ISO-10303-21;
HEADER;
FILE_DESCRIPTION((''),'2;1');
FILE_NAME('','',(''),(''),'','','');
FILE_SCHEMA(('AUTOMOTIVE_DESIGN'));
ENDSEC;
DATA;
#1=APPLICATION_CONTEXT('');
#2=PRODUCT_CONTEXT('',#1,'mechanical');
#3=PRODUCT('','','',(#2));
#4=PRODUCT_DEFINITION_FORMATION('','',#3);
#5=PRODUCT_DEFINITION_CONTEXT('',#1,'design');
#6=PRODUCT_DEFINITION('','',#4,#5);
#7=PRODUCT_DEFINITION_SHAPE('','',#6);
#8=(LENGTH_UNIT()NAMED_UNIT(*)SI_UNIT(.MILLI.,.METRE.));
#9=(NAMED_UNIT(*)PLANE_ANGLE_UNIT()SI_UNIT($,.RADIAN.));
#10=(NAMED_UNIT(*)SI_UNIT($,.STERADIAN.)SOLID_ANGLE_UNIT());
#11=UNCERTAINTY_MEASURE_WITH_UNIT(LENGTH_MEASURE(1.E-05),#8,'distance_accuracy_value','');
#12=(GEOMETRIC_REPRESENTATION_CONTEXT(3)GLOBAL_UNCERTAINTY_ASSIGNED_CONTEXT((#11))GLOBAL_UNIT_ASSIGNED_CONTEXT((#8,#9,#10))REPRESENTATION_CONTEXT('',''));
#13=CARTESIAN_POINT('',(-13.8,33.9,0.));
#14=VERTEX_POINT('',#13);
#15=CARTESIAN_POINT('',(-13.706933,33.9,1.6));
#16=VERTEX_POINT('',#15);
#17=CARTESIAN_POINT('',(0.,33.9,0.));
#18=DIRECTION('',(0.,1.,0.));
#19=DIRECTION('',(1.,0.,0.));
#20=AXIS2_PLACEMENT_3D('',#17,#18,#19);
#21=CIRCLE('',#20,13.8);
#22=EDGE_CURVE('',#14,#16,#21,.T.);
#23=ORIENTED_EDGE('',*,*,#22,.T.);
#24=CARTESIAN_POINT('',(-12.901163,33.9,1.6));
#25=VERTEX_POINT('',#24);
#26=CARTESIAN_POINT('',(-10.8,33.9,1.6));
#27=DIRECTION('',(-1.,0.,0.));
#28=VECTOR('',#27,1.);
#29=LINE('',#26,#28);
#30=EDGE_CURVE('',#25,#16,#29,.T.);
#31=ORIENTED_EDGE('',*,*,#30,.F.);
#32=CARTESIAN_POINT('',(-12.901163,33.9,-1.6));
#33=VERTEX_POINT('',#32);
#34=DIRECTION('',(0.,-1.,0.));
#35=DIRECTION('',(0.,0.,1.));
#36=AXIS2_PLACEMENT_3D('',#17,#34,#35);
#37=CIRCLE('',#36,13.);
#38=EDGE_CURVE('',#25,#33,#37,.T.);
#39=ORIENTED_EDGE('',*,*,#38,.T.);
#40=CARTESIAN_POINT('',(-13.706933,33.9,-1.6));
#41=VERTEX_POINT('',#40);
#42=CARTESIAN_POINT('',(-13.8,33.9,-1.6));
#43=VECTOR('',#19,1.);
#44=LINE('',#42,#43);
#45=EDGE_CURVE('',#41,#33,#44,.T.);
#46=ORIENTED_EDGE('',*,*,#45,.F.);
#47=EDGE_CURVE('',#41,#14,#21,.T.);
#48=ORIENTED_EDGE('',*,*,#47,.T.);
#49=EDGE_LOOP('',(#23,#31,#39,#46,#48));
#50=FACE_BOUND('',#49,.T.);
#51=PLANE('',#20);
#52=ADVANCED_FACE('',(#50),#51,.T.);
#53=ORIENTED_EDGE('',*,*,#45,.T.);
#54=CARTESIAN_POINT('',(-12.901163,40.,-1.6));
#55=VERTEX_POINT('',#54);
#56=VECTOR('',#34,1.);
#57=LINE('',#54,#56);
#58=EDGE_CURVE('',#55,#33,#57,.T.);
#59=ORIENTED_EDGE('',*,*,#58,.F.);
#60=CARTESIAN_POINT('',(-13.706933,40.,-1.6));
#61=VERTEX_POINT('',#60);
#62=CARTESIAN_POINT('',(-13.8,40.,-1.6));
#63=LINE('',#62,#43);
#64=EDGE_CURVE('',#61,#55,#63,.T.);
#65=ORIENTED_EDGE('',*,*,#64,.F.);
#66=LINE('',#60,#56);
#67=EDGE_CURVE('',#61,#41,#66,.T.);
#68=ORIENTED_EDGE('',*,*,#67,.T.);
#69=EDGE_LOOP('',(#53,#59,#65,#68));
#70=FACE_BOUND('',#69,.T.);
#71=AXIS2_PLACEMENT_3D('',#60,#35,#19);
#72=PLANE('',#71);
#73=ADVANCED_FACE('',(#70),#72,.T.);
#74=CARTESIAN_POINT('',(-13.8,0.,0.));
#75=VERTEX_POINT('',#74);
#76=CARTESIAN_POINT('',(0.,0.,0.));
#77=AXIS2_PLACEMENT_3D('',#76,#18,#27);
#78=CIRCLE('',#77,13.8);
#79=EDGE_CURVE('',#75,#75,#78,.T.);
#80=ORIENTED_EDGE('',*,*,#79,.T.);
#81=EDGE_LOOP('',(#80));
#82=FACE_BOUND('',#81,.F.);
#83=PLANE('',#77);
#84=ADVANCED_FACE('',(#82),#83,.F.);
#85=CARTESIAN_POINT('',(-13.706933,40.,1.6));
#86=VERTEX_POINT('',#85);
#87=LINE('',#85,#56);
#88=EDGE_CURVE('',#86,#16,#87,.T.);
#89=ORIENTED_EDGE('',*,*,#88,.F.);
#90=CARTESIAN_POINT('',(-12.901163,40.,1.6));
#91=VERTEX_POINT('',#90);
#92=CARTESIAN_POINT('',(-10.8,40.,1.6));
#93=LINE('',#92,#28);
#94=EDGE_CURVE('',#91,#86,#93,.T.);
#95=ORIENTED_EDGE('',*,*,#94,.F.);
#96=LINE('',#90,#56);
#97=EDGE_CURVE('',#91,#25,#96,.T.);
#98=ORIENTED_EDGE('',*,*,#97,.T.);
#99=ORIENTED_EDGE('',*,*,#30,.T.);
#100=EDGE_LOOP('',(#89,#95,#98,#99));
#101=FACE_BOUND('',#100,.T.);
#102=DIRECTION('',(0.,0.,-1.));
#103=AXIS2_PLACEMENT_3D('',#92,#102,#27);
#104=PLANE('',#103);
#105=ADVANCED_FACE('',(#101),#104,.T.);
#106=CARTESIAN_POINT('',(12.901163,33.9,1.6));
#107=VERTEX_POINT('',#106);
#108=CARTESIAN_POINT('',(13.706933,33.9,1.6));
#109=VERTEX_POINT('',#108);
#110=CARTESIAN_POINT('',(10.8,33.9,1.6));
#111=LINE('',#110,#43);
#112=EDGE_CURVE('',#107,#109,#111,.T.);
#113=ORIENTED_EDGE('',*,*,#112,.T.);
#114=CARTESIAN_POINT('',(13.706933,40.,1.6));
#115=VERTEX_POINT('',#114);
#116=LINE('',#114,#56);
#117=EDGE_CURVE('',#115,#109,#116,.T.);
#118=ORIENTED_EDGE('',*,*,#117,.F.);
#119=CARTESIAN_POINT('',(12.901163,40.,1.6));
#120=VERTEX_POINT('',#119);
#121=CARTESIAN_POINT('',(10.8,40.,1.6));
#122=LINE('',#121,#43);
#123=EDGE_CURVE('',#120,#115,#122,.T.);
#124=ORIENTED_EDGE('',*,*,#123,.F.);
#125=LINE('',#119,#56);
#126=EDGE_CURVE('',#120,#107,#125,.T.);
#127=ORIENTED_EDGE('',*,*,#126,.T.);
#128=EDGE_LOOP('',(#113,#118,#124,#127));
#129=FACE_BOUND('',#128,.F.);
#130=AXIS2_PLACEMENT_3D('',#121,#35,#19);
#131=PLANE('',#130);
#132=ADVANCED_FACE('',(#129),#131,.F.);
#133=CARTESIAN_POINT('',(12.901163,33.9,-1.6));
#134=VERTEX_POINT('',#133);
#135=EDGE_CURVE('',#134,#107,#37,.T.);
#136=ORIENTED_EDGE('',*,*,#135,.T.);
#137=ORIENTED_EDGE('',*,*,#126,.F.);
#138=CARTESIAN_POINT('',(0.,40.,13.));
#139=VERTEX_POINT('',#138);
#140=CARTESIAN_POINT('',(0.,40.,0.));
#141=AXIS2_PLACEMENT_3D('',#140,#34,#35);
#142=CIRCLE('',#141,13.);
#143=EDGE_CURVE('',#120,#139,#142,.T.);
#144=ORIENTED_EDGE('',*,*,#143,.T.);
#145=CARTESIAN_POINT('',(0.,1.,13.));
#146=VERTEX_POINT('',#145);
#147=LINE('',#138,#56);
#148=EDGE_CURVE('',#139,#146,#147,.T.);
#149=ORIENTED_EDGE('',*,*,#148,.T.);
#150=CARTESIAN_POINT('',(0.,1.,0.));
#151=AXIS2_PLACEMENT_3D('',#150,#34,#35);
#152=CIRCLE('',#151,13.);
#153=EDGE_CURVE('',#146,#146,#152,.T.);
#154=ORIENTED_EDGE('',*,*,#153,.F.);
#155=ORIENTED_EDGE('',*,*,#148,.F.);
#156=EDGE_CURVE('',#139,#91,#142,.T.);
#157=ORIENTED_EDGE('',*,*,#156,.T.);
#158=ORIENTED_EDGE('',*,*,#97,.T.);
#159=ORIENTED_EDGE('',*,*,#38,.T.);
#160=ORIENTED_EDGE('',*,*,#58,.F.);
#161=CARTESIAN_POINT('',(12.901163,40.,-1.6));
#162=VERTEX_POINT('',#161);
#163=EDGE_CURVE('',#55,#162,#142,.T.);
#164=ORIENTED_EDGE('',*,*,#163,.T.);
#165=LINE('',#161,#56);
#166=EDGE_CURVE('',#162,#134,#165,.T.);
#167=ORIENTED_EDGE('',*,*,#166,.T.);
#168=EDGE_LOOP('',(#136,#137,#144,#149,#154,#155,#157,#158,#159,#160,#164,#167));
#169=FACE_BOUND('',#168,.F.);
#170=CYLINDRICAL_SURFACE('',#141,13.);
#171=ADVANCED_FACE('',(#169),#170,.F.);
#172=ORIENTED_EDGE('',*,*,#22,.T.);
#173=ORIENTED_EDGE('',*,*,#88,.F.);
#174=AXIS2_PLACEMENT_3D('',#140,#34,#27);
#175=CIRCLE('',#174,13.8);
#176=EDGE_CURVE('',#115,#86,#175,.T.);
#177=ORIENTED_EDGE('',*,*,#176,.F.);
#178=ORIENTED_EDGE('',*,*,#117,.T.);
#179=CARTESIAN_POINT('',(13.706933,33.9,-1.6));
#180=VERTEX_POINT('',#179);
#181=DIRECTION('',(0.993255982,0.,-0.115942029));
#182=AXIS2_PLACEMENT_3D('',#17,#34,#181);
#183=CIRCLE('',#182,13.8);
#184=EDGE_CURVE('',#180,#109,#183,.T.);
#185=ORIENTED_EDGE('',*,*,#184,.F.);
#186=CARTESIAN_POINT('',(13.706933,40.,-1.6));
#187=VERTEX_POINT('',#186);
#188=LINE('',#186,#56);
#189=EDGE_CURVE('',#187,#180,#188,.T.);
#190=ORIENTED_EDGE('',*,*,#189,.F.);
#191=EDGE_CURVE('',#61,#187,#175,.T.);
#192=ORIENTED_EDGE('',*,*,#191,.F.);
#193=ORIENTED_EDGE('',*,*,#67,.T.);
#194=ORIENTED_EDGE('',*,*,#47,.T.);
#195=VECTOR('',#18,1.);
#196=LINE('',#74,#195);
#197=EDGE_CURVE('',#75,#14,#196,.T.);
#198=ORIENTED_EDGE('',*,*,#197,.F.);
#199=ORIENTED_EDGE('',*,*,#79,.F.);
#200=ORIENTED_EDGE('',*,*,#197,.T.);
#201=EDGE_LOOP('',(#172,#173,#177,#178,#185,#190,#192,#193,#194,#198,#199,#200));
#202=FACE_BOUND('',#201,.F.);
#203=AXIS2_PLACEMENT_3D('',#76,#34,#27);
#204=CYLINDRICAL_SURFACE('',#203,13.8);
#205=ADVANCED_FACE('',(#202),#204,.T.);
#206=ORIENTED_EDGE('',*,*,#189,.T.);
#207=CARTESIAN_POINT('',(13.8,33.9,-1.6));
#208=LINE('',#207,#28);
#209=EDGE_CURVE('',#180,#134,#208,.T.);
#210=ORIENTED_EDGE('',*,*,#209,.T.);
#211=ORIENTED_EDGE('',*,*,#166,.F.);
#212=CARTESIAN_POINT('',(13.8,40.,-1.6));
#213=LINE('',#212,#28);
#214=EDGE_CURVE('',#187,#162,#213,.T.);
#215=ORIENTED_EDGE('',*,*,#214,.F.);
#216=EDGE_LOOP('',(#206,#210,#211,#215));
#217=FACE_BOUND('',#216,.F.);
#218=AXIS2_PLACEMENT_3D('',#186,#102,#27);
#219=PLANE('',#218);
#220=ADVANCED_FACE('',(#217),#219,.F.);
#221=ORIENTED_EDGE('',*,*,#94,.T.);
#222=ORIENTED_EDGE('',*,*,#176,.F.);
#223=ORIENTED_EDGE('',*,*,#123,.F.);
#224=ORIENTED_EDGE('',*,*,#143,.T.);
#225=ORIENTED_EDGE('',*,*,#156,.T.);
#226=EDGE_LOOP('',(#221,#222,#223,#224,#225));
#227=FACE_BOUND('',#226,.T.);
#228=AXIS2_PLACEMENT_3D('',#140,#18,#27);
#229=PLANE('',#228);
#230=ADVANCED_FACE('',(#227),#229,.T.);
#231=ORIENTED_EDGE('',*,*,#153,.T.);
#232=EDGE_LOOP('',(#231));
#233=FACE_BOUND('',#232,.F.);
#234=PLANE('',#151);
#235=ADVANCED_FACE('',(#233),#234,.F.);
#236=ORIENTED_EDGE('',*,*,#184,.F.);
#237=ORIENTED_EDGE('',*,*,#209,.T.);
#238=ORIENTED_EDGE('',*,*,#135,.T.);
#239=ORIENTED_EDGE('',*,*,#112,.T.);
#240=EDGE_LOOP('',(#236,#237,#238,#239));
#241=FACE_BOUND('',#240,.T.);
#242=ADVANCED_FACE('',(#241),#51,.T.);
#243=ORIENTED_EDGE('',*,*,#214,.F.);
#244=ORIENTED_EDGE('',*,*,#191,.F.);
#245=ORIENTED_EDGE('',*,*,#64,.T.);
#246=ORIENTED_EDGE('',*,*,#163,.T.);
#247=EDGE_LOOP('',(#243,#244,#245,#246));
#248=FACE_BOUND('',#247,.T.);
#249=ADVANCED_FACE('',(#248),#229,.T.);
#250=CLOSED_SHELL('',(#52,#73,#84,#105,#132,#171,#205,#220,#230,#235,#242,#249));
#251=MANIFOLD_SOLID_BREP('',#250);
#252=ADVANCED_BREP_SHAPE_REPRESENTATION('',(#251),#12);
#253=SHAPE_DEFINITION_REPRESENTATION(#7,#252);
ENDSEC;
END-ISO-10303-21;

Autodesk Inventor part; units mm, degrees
ref_plane "YZ Plane" through (0, 0, 0) normal (1, 0, 0) x (0, 1, 0)
ref_plane "XZ Plane" through (0, 0, 0) normal (0, 1, 0) x (-1, 0, 0)
ref_plane "XY Plane" through (0, 0, 0) normal (0, 0, 1) x (1, 0, 0)
sketch "Sketch2" plane through (0, 0, 0) normal (0, 1, 0) x (-1, 0, 0)
  circle A0 centre (0, 0) radius 13.8
  line L0 (0, -13.8) -> (0, -13)
  dimension "d0" = 27.6
  dimension "d79" = 0.8
extrude "Extrusion1" add sketch "Sketch2" along normal blind 40
sketch "Sketch3" plane through (0, 40, 0) normal (0, 1, 0) x (1, 0, 0)
  circle A0 centre (0, 0) radius 13
  dimension "d3" = 26
hole "Hole1" at (0, 40, 0) direction (0, -1, 0) diameter 26 depth 39
sketch "Sketch8" plane through (0, 40, 0) normal (0, 1, 0) x (1, 0, 0)
  circle A0 centre (0, 0) radius 13.8 projected
  line L0 (-13.8, 0) -> (-13.8, 1.6)
  line L1 (-13.8, 0) -> (-12.2, 0) construction
  line L2 (-13.8, 1.6) -> (-10.8, 1.6)
  line L3 (-10.8, 1.6) -> (-10.8, -1.6)
  line L4 (-10.8, -1.6) -> (-13.8, -1.6)
  line L5 (-13.8, -1.6) -> (-13.8, 0)
  point P0 (-13.7069, 1.6)
  point P1 (-13.7069, -1.6)
  dimension "d64" = 1.6
  dimension "d66" = 3
  dimension "d67" = 3.2
  dimension "d69" = 3
extrude "Extrusion6" cut sketch "Sketch8" against normal blind 6.1 contours L2 L3 L4 A0 picked at (-11.8, 0)
sketch "Sketch9" plane through (0, 40, 0) normal (0, 1, 0) x (1, 0, 0)
  circle A0 centre (0, 0) radius 13.8 projected
  line L0 (13.8, 0) -> (13.8, 1.6)
  line L1 (13.8, 0) -> (15.4, 0) construction
  line L2 (13.8, 1.6) -> (10.8, 1.6)
  line L3 (10.8, 1.6) -> (10.8, -1.6)
  line L4 (10.8, -1.6) -> (13.8, -1.6)
  line L5 (13.8, -1.6) -> (13.8, 0)
  point P0 (13.7069, -1.6)
  point P1 (13.7069, 1.6)
  dimension "d72" = 1.6
  dimension "d74" = 3
  dimension "d75" = 3.2
  dimension "d76" = 3
extrude "Extrusion7" cut sketch "Sketch9" against normal blind 6.1 contours A0 L4 L3 L2 picked at (11.8, 0)
properties part number "Part6_containter_top" material "ABS Plastic"
